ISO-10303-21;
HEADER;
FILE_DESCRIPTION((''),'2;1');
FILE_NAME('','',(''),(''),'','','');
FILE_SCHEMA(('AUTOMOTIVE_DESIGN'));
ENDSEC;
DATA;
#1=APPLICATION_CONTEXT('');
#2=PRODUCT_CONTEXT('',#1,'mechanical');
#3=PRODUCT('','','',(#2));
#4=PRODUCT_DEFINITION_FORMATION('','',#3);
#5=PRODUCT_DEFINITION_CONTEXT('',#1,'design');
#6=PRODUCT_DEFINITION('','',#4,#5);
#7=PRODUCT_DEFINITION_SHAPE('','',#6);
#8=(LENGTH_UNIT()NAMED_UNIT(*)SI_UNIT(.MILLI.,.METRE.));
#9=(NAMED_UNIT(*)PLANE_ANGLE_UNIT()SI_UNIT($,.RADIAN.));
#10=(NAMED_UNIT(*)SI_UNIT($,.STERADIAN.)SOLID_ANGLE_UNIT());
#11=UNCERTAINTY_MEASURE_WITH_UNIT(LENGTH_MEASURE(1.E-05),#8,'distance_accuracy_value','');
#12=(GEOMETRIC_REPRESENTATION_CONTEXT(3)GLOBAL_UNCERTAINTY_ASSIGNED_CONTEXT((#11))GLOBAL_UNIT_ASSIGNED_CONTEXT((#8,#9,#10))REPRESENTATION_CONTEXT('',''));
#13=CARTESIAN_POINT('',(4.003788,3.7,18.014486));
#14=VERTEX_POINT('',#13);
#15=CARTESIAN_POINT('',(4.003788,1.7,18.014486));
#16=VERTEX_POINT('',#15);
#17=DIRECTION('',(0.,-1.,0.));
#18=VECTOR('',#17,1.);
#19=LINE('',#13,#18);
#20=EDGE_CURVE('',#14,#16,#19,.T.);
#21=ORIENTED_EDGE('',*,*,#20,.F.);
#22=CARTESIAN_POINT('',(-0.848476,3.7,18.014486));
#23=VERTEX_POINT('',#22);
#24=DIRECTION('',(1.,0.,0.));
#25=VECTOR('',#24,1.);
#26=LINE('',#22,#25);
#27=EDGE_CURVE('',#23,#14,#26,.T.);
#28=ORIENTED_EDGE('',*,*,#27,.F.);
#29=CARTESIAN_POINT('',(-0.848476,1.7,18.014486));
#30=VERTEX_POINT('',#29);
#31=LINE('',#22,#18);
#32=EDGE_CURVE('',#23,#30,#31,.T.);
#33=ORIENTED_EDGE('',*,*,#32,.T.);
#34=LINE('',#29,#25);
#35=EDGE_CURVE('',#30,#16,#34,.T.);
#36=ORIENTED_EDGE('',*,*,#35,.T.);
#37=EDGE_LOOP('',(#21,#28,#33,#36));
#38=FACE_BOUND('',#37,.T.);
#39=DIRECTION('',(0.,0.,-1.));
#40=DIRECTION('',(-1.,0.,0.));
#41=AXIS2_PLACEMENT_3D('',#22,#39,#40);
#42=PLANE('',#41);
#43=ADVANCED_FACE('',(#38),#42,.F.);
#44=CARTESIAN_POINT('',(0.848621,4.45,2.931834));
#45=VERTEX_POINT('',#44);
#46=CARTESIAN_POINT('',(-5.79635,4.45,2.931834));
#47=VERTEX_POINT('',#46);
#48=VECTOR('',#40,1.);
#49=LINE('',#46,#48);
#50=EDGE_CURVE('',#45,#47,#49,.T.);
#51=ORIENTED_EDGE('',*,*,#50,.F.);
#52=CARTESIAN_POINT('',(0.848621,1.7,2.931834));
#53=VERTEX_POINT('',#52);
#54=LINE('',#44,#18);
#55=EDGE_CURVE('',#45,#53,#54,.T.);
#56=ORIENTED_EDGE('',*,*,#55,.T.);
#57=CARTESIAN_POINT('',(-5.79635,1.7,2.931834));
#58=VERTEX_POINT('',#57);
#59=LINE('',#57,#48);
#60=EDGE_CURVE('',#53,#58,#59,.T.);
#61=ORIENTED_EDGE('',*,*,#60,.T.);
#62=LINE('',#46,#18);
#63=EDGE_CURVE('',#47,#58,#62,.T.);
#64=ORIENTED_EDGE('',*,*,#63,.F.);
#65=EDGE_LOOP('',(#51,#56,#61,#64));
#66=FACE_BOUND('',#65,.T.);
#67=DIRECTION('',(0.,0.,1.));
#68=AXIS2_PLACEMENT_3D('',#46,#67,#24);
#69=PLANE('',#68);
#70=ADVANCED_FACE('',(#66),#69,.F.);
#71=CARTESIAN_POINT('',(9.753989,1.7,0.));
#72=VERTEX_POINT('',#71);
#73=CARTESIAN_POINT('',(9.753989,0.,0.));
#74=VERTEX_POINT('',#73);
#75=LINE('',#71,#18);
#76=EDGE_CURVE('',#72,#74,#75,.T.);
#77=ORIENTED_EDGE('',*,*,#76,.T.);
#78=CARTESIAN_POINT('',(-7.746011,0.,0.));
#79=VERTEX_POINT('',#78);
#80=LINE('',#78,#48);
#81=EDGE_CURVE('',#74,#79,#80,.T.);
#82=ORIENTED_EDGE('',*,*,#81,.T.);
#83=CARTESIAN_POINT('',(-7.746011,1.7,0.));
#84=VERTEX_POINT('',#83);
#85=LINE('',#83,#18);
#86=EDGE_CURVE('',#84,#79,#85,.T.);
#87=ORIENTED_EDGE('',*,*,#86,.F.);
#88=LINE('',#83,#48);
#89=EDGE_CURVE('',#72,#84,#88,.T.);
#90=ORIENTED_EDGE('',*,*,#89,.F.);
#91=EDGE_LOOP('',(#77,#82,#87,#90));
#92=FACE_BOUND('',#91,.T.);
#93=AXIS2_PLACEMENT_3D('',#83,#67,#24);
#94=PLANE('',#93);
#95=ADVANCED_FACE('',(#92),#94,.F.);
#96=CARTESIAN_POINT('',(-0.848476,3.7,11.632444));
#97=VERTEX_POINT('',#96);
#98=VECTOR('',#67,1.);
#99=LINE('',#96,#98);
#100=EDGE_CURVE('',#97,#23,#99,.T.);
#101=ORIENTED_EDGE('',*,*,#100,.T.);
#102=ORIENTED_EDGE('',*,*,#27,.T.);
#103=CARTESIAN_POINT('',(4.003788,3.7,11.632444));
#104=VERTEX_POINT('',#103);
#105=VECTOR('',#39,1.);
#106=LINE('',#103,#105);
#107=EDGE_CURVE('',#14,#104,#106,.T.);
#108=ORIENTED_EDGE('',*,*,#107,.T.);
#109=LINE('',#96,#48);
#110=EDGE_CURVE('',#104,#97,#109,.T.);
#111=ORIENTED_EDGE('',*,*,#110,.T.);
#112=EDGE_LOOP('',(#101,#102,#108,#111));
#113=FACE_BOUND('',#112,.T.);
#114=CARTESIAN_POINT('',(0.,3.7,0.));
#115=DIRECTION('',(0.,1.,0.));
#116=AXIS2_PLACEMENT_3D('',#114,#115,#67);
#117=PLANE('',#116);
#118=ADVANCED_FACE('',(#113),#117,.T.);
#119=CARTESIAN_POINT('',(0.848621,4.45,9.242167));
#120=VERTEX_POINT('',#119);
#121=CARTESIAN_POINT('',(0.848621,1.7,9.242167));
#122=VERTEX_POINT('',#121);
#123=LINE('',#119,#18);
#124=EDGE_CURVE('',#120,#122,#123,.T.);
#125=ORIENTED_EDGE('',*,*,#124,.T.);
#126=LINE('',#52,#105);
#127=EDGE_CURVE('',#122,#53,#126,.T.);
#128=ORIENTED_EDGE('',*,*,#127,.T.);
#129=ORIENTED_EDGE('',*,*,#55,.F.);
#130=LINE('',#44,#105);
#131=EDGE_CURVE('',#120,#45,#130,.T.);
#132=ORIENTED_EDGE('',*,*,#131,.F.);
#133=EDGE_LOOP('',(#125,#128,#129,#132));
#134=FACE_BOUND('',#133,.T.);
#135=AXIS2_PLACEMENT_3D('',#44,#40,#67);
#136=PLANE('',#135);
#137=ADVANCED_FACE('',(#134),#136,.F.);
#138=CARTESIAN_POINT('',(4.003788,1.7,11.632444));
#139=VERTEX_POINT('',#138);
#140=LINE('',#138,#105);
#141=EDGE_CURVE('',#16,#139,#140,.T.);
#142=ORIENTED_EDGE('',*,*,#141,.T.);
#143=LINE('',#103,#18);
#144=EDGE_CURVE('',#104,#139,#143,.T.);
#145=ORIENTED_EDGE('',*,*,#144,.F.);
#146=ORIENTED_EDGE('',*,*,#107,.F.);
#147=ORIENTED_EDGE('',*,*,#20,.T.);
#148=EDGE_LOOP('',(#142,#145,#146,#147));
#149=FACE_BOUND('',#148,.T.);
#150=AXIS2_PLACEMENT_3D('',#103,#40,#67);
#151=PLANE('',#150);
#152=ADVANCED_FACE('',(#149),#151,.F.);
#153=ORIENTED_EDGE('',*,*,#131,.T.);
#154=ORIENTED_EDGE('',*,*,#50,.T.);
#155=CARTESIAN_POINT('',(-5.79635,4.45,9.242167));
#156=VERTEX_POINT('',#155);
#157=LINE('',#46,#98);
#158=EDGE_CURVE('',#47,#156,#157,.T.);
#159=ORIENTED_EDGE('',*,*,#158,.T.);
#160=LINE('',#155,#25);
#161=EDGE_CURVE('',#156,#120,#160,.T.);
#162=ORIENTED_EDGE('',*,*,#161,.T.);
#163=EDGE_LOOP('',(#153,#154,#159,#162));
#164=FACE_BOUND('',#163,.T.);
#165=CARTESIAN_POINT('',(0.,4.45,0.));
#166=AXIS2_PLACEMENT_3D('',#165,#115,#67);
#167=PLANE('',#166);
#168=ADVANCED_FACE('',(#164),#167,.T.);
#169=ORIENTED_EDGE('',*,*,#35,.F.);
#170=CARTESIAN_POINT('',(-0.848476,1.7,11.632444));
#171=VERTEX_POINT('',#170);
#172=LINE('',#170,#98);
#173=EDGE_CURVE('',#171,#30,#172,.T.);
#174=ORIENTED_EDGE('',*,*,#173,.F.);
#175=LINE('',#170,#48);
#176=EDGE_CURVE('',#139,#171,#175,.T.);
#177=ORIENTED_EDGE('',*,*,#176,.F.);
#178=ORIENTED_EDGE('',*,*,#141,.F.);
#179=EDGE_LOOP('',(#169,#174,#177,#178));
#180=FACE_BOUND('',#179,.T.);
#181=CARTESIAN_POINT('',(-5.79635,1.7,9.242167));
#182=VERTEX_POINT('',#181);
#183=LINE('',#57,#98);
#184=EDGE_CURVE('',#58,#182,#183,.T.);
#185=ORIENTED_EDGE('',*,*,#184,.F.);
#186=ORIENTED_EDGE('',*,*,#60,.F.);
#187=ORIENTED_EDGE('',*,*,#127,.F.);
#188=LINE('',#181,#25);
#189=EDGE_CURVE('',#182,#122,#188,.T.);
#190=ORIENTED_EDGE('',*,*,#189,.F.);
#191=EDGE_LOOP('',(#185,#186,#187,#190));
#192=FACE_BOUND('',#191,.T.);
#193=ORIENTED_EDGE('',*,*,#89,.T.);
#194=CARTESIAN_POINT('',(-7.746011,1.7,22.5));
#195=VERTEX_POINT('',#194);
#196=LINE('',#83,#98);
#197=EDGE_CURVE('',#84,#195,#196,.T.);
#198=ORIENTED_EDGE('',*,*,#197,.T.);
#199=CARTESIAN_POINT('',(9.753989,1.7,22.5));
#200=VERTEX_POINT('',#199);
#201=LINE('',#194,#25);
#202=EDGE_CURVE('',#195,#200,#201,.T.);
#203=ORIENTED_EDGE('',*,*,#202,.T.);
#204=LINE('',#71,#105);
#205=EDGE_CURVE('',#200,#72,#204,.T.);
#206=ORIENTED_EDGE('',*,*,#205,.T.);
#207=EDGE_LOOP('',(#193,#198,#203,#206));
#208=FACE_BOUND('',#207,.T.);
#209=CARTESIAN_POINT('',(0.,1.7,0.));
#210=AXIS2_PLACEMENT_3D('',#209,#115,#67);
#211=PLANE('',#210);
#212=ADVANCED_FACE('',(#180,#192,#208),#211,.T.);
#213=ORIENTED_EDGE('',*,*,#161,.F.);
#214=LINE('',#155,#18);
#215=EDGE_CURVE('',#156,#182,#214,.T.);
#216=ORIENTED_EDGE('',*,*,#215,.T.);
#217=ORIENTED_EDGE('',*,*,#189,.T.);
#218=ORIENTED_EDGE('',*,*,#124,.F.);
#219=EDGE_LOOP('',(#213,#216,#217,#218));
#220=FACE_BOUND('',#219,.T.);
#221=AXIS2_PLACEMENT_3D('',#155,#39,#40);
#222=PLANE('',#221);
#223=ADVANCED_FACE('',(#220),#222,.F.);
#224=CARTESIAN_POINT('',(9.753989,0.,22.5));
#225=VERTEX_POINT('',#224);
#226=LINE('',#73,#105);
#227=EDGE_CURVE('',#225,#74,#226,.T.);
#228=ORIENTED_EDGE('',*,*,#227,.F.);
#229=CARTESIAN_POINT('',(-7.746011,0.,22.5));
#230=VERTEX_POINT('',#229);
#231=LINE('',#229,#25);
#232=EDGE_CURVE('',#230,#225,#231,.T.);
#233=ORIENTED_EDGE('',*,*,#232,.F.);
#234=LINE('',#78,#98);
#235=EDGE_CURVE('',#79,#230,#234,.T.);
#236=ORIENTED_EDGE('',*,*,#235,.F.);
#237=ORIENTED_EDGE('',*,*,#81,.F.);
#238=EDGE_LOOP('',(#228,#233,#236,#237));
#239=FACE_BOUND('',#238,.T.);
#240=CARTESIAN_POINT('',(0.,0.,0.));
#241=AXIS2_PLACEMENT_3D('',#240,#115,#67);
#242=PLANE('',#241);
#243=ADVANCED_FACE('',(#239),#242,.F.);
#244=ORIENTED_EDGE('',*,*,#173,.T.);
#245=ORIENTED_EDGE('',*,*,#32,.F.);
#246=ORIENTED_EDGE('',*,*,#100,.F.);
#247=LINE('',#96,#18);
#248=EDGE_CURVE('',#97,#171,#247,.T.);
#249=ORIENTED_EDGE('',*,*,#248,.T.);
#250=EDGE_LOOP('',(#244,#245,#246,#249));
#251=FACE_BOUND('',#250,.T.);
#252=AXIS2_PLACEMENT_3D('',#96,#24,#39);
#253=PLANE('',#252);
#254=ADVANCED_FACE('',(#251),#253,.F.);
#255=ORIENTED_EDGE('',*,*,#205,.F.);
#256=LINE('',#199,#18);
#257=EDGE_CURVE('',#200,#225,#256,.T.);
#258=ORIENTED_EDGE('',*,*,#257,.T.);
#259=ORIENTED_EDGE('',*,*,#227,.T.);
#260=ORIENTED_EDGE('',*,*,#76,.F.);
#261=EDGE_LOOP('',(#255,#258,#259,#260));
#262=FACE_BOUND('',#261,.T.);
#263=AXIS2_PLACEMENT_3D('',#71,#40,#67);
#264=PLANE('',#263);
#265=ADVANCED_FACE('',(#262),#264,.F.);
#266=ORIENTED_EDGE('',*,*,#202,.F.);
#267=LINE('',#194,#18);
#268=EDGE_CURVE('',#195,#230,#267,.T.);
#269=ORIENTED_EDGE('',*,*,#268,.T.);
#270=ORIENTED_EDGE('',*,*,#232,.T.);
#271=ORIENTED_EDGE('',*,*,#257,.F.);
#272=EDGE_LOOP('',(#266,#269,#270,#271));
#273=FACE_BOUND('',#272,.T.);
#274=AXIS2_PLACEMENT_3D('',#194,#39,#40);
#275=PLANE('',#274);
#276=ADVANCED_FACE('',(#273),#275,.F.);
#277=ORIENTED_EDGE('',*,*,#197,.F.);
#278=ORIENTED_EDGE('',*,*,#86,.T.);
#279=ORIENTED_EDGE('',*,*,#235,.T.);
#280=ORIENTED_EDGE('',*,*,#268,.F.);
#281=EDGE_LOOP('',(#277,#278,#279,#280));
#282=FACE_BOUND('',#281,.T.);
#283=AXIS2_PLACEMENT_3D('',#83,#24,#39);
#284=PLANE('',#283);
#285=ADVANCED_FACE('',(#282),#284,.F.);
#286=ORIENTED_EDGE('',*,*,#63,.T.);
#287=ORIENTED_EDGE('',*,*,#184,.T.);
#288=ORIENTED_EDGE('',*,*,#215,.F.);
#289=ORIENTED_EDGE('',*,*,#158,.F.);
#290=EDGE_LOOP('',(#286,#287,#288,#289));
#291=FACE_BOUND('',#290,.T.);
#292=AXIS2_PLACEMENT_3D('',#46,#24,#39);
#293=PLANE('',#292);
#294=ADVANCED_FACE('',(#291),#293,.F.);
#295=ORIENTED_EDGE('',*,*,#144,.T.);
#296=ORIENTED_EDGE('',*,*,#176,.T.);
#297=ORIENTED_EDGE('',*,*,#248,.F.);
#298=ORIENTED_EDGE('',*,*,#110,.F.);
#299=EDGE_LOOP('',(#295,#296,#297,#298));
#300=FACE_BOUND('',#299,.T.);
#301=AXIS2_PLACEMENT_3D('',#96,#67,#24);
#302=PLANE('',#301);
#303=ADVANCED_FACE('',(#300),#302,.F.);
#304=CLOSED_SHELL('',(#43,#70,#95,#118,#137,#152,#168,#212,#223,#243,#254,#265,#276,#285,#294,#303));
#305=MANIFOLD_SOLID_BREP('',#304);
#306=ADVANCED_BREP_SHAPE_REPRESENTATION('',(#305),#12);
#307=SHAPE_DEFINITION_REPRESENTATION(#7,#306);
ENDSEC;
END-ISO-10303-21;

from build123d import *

# Parameters (mm, degrees)
SKETCH1_W           = 17.5
SKETCH1_H           = 22.5
BOSS_EXTRUDE1_DEPTH = 1.7
SKETCH2_W           = 6.644971707
SKETCH2_H           = 6.310332844
BOSS_EXTRUDE2_DEPTH = 2.75
SKETCH3_W           = 4.852263512
SKETCH3_H           = 6.382041172
BOSS_EXTRUDE3_DEPTH = 2


with BuildPart() as part:
    # Sketch1 → Boss-Extrude1 (new body)
    with BuildSketch(Plane(origin=(0, 0, 0), x_dir=(1, 0, 0), z_dir=(0, 1, 0))):
        with Locations((1.003989362, -11.25)):
            Rectangle(SKETCH1_W, SKETCH1_H)
    extrude(amount=BOSS_EXTRUDE1_DEPTH)

    # Sketch2 → Boss-Extrude2 (add)
    with BuildSketch(Plane(origin=(0, 1.7, 0), x_dir=(1, 0, 0), z_dir=(0, 1, 0))):
        with Locations((-2.473864536, -6.0870004)):
            Rectangle(SKETCH2_W, SKETCH2_H)
    extrude(amount=BOSS_EXTRUDE2_DEPTH)

    # Sketch3 → Boss-Extrude3 (add)
    with BuildSketch(Plane(origin=(0, 1.7, 0), x_dir=(1, 0, 0), z_dir=(0, 1, 0))):
        with Locations((1.577655984, -14.823465001)):
            Rectangle(SKETCH3_W, SKETCH3_H)
    extrude(amount=BOSS_EXTRUDE3_DEPTH)


solid = part.part
